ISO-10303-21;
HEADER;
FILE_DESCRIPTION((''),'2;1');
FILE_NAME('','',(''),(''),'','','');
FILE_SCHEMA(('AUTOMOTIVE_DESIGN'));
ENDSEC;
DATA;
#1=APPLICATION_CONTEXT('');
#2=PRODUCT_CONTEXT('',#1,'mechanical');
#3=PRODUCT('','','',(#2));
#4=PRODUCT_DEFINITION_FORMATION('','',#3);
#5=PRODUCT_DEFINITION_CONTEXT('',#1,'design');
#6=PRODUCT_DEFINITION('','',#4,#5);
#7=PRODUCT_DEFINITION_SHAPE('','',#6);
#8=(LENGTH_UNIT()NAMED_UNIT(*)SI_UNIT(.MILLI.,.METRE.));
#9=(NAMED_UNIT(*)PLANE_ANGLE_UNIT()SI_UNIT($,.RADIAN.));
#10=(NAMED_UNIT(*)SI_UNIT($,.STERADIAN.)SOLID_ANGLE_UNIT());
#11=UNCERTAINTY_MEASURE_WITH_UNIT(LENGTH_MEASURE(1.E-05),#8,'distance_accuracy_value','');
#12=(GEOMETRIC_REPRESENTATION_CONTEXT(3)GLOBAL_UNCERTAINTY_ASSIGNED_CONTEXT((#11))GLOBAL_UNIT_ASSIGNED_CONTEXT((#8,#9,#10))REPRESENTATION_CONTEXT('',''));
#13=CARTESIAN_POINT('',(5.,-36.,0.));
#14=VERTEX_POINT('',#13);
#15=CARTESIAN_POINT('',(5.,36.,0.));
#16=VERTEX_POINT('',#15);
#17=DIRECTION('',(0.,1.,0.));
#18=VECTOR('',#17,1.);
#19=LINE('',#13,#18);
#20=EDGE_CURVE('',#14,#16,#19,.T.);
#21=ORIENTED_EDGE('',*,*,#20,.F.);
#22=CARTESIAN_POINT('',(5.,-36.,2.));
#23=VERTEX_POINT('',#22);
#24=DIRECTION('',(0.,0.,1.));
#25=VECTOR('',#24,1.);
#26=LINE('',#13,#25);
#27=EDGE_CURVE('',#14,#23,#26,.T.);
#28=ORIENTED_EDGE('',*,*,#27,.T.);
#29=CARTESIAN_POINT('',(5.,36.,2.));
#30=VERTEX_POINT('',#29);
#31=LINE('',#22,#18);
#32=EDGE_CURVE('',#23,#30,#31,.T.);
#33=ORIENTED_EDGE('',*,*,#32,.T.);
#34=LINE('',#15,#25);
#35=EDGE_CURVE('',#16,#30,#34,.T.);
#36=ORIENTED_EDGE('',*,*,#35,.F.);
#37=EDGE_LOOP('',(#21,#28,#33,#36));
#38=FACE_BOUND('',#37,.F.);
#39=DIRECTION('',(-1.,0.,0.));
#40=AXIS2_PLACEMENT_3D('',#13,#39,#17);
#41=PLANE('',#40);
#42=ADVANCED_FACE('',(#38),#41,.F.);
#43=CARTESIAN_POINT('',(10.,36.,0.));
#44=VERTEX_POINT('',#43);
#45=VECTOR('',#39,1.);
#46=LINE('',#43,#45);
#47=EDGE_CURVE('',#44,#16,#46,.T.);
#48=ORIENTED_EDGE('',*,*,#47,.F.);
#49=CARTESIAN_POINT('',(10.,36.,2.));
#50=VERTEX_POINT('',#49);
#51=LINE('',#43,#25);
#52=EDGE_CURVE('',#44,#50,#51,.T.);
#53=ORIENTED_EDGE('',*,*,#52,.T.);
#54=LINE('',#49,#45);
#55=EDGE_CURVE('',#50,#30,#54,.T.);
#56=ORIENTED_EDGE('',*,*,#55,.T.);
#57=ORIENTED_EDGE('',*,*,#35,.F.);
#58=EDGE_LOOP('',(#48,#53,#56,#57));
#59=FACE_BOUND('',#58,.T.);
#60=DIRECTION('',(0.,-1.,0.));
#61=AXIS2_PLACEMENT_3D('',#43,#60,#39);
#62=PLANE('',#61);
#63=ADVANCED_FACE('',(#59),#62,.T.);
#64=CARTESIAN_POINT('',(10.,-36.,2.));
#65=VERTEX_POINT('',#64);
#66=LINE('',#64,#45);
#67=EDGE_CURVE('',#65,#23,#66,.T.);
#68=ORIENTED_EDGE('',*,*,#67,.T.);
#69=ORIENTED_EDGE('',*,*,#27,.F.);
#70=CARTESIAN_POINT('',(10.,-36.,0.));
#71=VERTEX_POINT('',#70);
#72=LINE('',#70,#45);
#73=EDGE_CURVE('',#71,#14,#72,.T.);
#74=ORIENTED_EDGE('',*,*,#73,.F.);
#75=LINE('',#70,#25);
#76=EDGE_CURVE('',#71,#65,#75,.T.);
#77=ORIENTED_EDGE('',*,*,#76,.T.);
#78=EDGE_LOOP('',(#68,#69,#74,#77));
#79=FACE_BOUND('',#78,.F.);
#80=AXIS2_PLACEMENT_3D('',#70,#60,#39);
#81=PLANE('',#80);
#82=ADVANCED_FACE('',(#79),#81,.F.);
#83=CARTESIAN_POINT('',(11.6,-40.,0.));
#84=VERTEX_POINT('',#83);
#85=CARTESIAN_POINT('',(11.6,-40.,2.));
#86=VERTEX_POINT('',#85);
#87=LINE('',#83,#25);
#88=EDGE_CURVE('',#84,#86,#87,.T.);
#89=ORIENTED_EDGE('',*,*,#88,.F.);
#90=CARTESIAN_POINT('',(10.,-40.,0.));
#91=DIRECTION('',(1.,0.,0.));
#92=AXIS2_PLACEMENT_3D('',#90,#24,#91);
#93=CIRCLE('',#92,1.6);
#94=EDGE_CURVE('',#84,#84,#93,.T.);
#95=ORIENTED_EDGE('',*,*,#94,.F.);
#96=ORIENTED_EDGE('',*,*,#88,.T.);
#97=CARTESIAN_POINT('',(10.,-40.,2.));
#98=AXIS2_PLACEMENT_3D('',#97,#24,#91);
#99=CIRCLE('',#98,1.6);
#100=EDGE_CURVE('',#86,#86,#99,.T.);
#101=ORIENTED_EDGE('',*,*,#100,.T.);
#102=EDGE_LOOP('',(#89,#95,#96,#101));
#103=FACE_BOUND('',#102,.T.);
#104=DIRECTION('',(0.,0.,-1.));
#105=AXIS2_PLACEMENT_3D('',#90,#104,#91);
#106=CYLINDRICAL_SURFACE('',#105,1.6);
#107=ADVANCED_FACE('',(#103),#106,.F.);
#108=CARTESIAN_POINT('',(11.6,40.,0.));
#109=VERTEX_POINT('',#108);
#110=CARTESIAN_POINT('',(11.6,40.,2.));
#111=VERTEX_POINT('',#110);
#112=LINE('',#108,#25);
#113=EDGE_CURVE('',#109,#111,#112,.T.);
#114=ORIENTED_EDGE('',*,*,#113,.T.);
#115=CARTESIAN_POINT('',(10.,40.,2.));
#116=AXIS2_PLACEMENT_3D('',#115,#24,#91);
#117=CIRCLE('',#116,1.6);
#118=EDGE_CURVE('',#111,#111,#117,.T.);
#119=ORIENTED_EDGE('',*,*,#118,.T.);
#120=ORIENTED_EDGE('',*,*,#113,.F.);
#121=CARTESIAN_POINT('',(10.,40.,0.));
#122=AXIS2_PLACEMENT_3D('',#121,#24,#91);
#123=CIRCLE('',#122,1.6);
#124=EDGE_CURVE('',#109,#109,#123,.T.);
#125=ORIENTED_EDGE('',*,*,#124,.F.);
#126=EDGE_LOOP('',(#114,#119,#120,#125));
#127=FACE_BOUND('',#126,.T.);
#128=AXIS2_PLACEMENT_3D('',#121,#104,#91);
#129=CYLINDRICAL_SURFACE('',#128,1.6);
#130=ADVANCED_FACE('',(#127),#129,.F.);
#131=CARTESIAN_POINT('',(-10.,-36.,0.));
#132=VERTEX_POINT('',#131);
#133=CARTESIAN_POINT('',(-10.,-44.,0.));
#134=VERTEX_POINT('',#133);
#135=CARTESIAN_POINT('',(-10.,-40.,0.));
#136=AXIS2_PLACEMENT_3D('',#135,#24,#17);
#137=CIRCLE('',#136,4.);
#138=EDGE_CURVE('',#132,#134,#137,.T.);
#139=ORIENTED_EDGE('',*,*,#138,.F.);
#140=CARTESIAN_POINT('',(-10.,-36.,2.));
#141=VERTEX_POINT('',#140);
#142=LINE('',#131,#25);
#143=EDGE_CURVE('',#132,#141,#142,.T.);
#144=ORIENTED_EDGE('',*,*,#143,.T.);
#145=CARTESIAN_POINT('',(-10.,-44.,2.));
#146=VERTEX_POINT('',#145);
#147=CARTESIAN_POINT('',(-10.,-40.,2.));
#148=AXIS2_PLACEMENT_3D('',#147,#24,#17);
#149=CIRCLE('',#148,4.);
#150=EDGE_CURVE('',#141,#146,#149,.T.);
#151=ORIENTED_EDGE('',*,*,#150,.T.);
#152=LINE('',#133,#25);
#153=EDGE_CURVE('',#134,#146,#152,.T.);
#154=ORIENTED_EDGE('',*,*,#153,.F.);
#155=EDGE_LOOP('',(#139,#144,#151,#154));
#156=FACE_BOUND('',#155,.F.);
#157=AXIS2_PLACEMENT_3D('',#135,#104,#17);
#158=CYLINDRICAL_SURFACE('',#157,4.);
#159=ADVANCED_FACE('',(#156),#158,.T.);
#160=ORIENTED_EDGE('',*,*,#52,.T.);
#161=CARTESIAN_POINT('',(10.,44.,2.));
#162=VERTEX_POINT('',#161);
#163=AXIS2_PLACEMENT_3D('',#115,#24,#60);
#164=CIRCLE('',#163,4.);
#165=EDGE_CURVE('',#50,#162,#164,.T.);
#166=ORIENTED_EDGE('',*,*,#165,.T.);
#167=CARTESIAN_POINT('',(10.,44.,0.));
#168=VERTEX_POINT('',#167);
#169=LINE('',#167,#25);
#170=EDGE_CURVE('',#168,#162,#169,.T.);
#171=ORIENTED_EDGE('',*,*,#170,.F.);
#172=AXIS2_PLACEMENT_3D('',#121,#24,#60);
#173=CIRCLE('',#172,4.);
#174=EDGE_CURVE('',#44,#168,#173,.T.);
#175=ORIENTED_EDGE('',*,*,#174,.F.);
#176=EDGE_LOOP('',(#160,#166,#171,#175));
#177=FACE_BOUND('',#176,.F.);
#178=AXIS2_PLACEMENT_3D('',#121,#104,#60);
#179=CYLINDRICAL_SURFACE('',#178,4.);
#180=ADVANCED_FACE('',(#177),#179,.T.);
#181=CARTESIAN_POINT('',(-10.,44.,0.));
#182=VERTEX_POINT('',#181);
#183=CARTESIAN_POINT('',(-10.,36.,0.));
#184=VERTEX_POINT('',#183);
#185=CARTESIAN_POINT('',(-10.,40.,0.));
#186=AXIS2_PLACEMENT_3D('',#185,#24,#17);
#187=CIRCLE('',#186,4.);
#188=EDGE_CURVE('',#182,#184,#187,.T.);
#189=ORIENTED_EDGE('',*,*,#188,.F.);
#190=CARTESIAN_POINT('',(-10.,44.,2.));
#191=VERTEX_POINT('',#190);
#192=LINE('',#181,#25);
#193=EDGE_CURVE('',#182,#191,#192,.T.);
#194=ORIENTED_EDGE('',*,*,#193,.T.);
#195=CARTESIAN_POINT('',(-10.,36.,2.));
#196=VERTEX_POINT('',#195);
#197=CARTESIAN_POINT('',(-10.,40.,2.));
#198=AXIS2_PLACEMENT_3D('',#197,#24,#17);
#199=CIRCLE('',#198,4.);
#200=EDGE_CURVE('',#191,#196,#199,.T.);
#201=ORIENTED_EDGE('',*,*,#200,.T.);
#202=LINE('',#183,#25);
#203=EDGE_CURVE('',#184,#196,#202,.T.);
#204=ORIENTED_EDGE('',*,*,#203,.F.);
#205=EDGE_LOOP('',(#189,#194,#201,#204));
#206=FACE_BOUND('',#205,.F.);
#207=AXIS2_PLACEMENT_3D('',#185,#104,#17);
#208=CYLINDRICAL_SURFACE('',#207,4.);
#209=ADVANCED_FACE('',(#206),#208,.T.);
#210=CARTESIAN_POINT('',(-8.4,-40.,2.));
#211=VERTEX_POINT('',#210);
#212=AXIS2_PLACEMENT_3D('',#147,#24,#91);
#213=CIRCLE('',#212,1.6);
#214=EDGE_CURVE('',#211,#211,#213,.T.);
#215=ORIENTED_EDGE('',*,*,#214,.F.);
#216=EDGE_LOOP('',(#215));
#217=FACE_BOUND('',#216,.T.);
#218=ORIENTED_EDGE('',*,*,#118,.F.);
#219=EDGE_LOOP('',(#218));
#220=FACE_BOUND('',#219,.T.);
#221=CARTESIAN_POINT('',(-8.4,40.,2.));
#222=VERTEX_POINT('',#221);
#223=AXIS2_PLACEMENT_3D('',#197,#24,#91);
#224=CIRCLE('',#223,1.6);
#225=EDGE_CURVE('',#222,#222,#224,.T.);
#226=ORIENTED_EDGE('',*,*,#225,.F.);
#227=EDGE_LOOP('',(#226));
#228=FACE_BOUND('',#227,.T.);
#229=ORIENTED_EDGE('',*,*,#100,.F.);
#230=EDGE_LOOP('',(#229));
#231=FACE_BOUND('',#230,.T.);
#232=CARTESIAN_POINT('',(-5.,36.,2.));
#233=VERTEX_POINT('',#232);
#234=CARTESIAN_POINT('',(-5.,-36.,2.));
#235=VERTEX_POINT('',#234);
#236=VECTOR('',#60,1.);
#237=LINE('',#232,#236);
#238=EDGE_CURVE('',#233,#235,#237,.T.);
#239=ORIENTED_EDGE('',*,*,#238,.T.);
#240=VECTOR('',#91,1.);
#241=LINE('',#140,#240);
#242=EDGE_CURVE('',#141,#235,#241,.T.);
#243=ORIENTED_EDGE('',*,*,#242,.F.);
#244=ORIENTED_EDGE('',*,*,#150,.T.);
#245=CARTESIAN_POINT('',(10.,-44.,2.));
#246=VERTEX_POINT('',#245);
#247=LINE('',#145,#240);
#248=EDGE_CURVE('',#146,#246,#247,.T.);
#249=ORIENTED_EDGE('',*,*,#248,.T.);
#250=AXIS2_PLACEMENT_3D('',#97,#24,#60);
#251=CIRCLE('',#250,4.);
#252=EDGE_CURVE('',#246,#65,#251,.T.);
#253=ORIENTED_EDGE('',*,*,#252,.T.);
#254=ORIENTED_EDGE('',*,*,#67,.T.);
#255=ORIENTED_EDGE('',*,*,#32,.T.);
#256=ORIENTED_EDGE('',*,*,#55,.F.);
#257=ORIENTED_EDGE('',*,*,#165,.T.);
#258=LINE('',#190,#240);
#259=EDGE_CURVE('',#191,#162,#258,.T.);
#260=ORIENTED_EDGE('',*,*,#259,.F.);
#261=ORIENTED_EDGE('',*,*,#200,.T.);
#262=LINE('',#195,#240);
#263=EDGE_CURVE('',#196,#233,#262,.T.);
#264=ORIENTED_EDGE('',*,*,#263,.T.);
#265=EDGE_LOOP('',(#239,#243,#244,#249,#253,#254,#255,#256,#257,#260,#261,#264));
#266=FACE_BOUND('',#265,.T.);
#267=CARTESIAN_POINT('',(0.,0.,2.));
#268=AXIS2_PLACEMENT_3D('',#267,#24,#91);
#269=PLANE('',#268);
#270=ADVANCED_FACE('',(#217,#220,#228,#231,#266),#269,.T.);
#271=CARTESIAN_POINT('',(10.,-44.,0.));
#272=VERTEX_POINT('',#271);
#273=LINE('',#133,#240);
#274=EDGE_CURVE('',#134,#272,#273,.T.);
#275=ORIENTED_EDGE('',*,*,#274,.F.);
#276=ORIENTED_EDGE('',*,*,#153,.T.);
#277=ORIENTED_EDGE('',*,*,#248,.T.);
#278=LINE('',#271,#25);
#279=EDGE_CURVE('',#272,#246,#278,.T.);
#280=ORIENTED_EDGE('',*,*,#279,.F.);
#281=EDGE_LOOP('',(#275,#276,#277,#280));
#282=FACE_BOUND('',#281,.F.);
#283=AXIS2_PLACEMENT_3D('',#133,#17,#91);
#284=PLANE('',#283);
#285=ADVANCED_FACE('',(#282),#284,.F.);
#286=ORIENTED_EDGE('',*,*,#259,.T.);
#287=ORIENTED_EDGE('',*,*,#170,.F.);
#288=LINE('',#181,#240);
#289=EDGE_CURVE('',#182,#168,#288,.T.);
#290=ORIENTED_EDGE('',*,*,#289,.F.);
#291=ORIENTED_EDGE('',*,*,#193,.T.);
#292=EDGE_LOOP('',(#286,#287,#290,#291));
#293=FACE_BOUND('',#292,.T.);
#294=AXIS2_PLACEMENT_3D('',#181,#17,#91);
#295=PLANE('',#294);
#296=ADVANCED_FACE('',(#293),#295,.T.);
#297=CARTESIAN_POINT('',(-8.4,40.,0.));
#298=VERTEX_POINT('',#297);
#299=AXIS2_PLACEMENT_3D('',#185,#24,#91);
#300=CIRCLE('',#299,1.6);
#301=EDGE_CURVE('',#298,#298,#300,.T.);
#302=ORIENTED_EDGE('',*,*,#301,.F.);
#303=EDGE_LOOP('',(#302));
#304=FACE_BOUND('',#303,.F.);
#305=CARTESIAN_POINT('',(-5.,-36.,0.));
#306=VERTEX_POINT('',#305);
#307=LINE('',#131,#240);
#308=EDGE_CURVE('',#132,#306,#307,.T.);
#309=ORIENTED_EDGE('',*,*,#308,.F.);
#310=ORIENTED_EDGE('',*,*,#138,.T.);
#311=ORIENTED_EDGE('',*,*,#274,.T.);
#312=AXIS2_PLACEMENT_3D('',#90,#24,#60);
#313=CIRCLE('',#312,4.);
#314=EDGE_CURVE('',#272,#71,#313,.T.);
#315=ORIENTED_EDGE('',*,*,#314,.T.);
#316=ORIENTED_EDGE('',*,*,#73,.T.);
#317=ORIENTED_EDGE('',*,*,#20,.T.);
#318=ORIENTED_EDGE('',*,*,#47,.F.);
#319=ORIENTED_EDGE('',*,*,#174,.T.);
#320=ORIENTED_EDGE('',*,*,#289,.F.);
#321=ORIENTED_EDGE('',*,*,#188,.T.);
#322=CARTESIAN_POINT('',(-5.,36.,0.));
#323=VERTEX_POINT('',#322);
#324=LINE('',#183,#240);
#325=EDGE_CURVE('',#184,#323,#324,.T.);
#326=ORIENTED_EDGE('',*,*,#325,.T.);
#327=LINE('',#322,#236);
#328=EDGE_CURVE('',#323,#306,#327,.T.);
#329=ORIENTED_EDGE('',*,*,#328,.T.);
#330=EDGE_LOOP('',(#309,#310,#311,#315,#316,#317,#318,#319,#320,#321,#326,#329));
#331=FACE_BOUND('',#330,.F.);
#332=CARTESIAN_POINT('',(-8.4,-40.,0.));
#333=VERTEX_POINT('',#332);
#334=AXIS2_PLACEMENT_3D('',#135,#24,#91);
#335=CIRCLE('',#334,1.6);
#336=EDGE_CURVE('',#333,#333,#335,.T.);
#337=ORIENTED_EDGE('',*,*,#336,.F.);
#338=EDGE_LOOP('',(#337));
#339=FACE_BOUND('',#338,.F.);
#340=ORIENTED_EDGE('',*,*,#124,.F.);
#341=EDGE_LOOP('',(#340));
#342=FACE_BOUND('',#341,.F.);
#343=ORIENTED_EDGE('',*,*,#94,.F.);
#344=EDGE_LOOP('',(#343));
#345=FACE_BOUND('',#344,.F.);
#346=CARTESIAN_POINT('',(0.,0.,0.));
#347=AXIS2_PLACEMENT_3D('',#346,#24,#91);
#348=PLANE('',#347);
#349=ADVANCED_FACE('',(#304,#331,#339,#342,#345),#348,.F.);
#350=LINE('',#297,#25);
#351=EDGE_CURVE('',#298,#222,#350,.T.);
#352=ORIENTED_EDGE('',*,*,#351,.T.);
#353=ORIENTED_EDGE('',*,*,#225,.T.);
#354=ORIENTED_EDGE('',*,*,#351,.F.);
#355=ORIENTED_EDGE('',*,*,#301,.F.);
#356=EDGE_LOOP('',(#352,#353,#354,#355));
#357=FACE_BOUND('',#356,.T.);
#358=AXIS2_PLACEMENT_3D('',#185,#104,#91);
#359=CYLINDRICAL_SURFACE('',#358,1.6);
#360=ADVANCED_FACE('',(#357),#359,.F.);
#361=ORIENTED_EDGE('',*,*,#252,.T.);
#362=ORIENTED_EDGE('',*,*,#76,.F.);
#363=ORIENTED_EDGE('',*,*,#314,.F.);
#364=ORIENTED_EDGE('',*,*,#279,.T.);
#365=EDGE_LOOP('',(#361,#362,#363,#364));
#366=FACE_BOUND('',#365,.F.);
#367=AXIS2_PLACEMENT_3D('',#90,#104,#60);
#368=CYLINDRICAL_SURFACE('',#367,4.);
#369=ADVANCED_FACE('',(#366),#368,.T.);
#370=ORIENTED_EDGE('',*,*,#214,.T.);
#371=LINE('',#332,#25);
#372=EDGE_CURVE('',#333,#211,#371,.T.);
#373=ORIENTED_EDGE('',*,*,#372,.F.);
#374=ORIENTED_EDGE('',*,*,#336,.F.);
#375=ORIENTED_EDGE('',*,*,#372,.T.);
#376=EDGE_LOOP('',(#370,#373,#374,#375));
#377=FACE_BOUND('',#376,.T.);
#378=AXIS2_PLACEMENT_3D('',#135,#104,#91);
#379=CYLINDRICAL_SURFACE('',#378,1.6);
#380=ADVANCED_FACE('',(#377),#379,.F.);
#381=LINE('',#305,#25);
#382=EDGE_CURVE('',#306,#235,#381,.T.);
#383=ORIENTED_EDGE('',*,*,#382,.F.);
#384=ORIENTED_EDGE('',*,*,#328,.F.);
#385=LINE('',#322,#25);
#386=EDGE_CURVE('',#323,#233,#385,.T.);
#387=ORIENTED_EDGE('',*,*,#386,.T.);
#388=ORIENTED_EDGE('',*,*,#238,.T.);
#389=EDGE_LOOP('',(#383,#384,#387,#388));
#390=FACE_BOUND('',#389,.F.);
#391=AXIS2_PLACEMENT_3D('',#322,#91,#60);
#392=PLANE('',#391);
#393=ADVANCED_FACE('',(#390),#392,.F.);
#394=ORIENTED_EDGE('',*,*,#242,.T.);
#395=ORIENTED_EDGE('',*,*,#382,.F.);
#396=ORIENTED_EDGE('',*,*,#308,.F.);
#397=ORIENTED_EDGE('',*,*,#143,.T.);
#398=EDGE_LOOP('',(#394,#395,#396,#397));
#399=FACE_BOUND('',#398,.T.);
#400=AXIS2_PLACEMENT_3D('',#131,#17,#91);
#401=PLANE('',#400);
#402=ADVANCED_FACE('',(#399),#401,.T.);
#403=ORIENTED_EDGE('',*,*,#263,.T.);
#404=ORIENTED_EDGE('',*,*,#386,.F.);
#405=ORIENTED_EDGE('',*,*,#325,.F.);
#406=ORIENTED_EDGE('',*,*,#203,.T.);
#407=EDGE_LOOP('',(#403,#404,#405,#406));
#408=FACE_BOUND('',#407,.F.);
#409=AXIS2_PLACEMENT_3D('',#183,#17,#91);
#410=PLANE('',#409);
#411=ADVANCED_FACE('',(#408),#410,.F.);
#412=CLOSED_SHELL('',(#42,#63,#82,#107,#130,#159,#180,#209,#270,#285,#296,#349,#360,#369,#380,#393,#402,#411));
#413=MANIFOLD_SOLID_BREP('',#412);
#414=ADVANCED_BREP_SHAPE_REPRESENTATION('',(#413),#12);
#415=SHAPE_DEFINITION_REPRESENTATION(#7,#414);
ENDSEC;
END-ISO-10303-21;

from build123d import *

# Parameters (mm, degrees)
SKETCH_R  = 1.6
PAD_DEPTH = 2


with BuildPart() as part:
    # Sketch → Pad (new body)
    with BuildSketch(Plane.XY):
        with BuildLine():
            ThreePointArc((-10, 44), (-14, 40), (-10, 36))
            Line((-10, 36), (-5, 36))
            Line((-5, 36), (-5, -36))
            Line((-10, -36), (-5, -36))
            ThreePointArc((-10, -36), (-14, -40), (-10, -44))
            Line((-10, -44), (10, -44))
            ThreePointArc((10, -44), (14, -40), (10, -36))
            Line((10, -36), (5, -36))
            Line((5, -36), (5, 36))
            Line((10, 36), (5, 36))
            ThreePointArc((10, 36), (14, 40), (10, 44))
            Line((-10, 44), (10, 44))
        make_face()
        with Locations((10, 40)):
            Circle(SKETCH_R, mode=Mode.SUBTRACT)
        with Locations((-10, 40)):
            Circle(SKETCH_R, mode=Mode.SUBTRACT)
        with Locations((-10, -40)):
            Circle(SKETCH_R, mode=Mode.SUBTRACT)
        with Locations((10, -40)):
            Circle(SKETCH_R, mode=Mode.SUBTRACT)
    extrude(amount=PAD_DEPTH)


solid = part.part
